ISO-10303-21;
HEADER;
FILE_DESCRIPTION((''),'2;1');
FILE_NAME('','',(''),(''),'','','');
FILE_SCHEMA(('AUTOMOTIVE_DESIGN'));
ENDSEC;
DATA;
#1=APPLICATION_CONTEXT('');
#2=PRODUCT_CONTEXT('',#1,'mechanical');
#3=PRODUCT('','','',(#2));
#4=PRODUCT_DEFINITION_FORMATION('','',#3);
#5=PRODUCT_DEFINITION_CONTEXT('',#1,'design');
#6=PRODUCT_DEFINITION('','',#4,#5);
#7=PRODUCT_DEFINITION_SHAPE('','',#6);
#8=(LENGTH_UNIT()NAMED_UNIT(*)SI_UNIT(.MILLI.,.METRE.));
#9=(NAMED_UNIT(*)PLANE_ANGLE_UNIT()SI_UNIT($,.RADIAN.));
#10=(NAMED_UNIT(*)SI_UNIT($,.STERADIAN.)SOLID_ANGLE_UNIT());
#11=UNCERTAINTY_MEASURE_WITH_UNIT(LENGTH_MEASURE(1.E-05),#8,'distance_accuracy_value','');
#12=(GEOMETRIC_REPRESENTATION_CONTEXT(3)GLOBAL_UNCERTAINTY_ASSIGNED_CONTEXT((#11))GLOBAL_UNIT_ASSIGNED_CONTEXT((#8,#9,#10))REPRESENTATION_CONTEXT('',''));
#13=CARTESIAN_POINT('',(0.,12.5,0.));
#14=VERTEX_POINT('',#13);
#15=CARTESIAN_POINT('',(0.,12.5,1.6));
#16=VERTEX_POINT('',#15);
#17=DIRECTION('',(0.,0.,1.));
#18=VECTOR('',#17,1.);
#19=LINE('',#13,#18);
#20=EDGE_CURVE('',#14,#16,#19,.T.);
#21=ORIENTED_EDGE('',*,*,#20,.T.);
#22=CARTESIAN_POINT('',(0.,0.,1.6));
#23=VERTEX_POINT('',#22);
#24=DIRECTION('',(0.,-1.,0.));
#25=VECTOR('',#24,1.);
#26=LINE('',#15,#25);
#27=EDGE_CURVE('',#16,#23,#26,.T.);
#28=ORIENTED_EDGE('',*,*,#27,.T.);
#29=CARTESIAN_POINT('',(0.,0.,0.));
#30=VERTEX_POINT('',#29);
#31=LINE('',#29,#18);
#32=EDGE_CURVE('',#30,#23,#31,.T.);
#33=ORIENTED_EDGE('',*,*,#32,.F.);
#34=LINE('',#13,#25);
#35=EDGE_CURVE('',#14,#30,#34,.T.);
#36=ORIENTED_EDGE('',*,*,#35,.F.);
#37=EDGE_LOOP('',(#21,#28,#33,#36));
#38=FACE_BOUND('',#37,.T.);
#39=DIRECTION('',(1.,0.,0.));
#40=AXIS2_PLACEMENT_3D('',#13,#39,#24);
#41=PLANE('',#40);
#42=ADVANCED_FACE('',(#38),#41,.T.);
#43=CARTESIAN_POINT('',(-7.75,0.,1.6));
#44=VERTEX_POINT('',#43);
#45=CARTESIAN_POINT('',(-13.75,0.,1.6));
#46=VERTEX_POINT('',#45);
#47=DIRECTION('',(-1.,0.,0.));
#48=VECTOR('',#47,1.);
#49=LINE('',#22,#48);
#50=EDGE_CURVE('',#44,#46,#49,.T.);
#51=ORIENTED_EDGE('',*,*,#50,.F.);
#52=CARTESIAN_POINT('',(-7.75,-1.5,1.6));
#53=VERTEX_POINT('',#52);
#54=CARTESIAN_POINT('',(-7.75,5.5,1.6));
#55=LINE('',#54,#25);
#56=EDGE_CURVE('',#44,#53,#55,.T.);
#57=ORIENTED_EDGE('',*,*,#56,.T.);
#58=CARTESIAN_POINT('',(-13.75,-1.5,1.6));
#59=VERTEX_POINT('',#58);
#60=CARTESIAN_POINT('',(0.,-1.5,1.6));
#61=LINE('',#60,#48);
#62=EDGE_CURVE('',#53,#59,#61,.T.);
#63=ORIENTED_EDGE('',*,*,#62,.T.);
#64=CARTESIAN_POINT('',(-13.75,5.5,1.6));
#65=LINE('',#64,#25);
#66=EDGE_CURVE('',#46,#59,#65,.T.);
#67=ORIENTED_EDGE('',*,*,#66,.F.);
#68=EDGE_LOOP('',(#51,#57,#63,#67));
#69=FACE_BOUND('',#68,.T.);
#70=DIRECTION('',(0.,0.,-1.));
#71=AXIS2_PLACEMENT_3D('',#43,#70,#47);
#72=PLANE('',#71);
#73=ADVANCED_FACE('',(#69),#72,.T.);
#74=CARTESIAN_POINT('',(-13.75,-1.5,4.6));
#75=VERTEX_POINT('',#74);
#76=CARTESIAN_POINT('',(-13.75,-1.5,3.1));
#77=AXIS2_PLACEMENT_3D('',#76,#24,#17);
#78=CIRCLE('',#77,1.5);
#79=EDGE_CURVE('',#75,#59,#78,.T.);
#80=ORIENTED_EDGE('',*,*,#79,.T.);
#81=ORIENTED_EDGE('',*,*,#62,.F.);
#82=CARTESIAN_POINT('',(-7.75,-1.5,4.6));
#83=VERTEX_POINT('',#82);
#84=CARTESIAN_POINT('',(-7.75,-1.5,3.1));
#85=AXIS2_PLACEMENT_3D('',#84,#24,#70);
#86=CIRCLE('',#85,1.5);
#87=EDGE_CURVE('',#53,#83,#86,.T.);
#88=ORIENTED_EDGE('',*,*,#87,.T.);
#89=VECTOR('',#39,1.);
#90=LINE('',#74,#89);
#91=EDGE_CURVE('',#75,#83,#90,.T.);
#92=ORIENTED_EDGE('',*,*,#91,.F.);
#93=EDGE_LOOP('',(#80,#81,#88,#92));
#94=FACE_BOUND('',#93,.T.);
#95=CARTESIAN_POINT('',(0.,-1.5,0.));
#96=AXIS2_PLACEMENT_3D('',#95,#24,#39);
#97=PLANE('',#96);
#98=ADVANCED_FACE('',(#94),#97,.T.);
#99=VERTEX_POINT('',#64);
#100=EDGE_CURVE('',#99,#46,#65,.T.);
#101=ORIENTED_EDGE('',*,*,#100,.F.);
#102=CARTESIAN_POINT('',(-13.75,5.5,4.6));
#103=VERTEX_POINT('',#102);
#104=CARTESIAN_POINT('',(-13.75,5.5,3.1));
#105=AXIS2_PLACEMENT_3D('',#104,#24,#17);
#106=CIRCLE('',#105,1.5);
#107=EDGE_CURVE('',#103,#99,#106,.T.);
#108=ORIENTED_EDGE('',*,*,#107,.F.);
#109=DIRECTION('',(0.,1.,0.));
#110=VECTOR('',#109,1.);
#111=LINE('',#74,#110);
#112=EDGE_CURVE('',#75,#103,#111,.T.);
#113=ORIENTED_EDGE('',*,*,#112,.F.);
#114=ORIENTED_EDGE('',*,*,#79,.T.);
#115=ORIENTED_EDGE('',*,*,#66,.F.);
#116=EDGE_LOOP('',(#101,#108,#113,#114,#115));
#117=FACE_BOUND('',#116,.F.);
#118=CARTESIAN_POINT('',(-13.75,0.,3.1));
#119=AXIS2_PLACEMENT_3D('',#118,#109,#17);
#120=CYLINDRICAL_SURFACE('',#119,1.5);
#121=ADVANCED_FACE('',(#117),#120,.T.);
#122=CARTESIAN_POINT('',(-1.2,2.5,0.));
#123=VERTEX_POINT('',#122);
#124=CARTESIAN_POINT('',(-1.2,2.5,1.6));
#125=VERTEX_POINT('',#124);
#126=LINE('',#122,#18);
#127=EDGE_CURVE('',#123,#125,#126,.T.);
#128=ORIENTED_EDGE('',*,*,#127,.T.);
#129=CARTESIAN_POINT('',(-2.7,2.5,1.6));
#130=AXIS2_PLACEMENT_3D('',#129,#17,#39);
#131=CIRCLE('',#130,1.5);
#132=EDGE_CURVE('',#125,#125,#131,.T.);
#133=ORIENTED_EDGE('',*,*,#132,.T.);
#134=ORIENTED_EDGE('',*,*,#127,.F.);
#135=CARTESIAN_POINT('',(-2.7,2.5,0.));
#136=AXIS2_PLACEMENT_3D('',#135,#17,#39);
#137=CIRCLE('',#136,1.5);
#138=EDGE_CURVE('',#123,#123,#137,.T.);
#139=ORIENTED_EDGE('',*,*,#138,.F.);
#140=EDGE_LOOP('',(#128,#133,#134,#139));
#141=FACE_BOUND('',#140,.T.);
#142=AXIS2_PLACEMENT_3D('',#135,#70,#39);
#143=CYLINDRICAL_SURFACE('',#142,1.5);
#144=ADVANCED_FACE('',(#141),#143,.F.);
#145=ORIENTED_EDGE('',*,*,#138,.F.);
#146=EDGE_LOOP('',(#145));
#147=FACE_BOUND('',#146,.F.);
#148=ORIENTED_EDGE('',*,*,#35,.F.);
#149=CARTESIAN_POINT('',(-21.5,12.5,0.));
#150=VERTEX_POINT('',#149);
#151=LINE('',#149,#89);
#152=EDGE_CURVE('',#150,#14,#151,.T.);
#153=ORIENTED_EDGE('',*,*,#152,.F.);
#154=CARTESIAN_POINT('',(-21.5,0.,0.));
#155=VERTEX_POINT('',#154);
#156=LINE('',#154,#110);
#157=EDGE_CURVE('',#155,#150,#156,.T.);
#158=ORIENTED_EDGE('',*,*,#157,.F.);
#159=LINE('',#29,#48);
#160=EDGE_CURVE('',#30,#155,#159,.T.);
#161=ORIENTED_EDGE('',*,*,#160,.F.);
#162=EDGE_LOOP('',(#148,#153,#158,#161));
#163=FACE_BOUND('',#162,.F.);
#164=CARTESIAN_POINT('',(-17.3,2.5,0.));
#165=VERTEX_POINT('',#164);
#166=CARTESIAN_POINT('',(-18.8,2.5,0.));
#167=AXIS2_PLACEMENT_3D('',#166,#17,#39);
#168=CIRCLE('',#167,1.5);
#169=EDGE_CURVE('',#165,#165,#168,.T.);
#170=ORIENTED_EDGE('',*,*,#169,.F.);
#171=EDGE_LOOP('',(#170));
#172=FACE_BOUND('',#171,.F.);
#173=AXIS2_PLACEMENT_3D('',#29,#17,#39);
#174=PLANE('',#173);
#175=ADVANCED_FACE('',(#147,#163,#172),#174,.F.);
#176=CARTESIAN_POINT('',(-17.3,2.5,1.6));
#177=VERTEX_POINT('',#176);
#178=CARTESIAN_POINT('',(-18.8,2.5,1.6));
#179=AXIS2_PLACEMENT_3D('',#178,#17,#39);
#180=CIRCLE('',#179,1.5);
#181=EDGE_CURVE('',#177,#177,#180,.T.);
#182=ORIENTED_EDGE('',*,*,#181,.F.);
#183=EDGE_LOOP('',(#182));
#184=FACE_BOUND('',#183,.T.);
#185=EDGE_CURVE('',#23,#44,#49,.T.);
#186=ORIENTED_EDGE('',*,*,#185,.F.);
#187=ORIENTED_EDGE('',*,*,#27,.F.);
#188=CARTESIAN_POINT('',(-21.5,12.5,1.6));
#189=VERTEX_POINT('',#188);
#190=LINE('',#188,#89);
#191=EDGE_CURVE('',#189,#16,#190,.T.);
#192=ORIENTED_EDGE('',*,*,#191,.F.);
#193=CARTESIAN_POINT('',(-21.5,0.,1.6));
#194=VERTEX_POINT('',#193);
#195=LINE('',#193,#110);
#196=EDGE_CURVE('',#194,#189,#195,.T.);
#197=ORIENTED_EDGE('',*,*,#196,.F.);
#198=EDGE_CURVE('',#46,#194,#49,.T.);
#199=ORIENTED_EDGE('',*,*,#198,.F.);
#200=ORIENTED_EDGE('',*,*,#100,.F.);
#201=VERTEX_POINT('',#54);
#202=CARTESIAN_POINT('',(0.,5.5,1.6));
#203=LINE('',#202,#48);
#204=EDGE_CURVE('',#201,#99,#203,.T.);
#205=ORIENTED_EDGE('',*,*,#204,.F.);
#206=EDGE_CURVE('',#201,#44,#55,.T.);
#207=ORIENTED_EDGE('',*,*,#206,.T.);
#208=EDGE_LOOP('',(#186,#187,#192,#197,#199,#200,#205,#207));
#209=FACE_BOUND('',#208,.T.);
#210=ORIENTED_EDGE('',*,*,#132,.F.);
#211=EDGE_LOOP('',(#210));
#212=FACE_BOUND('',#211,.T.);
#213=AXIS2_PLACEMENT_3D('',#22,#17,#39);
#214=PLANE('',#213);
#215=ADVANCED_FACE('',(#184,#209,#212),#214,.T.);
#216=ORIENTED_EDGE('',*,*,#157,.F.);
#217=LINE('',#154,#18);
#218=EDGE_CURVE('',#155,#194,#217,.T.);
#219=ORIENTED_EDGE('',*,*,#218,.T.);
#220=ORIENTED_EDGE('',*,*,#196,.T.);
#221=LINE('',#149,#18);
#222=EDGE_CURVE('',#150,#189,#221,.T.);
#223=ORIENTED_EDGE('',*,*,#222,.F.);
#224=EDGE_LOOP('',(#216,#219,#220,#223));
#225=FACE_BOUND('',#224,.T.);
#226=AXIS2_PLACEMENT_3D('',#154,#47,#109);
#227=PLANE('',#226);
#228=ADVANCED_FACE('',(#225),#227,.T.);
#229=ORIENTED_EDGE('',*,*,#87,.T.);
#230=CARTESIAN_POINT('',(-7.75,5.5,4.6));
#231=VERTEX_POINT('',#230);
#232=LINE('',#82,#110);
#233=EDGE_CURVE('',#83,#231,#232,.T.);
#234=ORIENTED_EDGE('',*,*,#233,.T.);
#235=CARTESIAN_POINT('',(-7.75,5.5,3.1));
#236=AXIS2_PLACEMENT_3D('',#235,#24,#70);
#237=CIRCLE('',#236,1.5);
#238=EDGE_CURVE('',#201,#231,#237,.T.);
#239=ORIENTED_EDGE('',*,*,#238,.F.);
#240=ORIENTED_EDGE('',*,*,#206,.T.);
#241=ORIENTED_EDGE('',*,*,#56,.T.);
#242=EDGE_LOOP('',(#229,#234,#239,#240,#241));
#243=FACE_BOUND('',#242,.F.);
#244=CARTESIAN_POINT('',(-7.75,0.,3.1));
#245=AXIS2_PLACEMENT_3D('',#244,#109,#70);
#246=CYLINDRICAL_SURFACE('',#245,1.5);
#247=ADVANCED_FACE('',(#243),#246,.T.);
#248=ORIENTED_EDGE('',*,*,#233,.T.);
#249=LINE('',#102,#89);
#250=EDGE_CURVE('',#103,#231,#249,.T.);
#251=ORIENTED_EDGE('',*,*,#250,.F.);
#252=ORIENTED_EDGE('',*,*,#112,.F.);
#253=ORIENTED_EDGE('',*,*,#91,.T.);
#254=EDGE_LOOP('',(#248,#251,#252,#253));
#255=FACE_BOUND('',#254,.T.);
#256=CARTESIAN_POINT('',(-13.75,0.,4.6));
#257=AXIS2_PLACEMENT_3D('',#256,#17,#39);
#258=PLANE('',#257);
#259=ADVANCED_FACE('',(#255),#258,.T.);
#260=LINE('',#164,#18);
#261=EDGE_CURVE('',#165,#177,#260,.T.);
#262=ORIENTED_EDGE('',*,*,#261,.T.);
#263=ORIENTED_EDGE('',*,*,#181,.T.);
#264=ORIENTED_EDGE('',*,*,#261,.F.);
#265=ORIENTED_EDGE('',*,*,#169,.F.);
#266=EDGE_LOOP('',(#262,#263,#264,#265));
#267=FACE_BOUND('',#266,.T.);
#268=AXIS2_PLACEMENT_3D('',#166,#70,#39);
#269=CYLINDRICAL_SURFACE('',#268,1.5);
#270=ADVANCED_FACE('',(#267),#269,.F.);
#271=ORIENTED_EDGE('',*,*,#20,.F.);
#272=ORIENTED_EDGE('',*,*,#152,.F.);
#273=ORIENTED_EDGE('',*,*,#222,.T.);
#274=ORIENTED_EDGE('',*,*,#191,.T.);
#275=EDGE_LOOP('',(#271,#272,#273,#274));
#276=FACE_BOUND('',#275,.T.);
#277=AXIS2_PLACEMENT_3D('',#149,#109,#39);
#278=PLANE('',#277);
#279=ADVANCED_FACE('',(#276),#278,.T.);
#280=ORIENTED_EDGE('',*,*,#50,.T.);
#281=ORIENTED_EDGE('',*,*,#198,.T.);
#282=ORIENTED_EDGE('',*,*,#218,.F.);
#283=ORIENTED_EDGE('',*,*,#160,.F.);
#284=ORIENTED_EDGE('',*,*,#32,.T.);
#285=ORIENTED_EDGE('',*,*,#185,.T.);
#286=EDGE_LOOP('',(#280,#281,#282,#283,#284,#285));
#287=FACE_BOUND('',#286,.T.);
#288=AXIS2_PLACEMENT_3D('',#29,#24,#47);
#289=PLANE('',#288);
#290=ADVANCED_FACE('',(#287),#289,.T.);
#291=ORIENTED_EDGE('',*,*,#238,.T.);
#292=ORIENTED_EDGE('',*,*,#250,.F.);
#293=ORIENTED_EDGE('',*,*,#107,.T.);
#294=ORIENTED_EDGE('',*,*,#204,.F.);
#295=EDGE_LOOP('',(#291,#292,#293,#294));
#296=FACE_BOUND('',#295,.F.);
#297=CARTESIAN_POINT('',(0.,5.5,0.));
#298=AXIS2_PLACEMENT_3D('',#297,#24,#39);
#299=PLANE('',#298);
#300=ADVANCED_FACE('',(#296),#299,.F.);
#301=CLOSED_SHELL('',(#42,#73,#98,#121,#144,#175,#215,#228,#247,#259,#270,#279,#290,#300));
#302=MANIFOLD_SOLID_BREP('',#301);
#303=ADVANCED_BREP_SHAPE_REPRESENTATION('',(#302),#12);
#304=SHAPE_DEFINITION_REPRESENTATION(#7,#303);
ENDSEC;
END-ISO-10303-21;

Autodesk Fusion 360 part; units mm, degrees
sketch "Skizze1" plane through (0, 0, 0) normal (0, 0, 1) x (1, 0, 0)
  line L0 (0, 0) -> (-21.5, 0)
  line L1 (-21.5, 0) -> (-21.5, 12.5)
  line L2 (-21.5, 12.5) -> (0, 12.5)
  line L3 (0, 12.5) -> (0, 0)
  circle A0 centre (-18.8, 2.5) radius 1.5
  circle A1 centre (-2.7, 2.5) radius 1.5
  line L4 (-21.5, 11.23) -> (0, 11.23) construction
  line L5 (-10.75, 12.5) -> (-10.75, 0) construction
  point P0 (-10.75, 11.23)
  dimension "d1" = 21.5
  dimension "d2" = 12.5
  dimension "d3" = 3
  dimension "d4" = 2.7
  dimension "d5" = 2.7
  dimension "d6" = 2.5
  dimension "d7" = 2.5
  dimension "d8" = 1.27
extrude "Extrusion1" add sketch "Skizze1" along normal blind 1.6
sketch "Skizze2" plane through (0, 0, 0) normal (0, -1, 0) x (1, 0, 0)
  line L0 (-21.5, 0) -> (0, 0)
  line L1 (0, 0) -> (0, 1.6)
  line L2 (0, 1.6) -> (-21.5, 1.6)
  line L3 (-21.5, 1.6) -> (-21.5, 0)
  line L4 (-10.75, 0) -> (-10.75, 13.6465) construction
  line L5 (-13.75, 4.6) -> (-7.75, 4.6)
  line L6 (-7.75, 1.6) -> (-13.75, 1.6)
  arc A0 (-13.75, 4.6) -> (-13.75, 1.6) centre (-13.75, 3.1) ccw
  arc A1 (-7.75, 1.6) -> (-7.75, 4.6) centre (-7.75, 3.1) ccw
  point P0 (-10.75, 1.6)
  dimension "d11" = 1.5
  dimension "d12" = 6
extrude "Extrusion2" add sketch "Skizze2" along normal blind 1.5 and the other way blind 5.5 contours L2 L5 L6 A0 A1
sketch "Skizze3" plane through (0, 0, 1.6) normal (0, 0, 1) x (-1, 0, 0)
  line L0 (7.75, -5.5) -> (7.75, 0)
  line L1 (7.75, 0) -> (0, 0)
  line L2 (0, 0) -> (0, -12.5)
  line L3 (0, -12.5) -> (21.5, -12.5)
  line L4 (21.5, -12.5) -> (21.5, 0)
  line L5 (21.5, 0) -> (13.75, 0)
  line L6 (13.75, 0) -> (13.75, -5.5)
  line L7 (13.75, -5.5) -> (7.75, -5.5)
  circle A0 centre (2.7, -2.5) radius 1.5
  circle A1 centre (18.8, -2.5) radius 1.5
  point P0 (10.75, -11.23)
  point P1 (10.75, -11.23)
ref_plane "Arbeitsebene1" through (0, 0, 5.1) normal (0, 0, 1) x (1, 0, 0)
sketch "Skizze4" plane through (0, 0, 5.1) normal (0, 0, 1) x (1, 0, 0)
  point P0 (-10.75, 11.23)
  point P1 (-10.75, 11.23)
equation "d4 = 1.2 mm + 1.5 mm"
equation "d5 = d4"
equation "d7 = d6"
equation "d8 = ( 2.54 / 2 ) * 1 mm"
equation "d12 = 9 mm - 3 mm"
equation "d15 = 7 mm - 1.5 mm"
equation "d17 = 1.6 mm + 3.5 mm"
